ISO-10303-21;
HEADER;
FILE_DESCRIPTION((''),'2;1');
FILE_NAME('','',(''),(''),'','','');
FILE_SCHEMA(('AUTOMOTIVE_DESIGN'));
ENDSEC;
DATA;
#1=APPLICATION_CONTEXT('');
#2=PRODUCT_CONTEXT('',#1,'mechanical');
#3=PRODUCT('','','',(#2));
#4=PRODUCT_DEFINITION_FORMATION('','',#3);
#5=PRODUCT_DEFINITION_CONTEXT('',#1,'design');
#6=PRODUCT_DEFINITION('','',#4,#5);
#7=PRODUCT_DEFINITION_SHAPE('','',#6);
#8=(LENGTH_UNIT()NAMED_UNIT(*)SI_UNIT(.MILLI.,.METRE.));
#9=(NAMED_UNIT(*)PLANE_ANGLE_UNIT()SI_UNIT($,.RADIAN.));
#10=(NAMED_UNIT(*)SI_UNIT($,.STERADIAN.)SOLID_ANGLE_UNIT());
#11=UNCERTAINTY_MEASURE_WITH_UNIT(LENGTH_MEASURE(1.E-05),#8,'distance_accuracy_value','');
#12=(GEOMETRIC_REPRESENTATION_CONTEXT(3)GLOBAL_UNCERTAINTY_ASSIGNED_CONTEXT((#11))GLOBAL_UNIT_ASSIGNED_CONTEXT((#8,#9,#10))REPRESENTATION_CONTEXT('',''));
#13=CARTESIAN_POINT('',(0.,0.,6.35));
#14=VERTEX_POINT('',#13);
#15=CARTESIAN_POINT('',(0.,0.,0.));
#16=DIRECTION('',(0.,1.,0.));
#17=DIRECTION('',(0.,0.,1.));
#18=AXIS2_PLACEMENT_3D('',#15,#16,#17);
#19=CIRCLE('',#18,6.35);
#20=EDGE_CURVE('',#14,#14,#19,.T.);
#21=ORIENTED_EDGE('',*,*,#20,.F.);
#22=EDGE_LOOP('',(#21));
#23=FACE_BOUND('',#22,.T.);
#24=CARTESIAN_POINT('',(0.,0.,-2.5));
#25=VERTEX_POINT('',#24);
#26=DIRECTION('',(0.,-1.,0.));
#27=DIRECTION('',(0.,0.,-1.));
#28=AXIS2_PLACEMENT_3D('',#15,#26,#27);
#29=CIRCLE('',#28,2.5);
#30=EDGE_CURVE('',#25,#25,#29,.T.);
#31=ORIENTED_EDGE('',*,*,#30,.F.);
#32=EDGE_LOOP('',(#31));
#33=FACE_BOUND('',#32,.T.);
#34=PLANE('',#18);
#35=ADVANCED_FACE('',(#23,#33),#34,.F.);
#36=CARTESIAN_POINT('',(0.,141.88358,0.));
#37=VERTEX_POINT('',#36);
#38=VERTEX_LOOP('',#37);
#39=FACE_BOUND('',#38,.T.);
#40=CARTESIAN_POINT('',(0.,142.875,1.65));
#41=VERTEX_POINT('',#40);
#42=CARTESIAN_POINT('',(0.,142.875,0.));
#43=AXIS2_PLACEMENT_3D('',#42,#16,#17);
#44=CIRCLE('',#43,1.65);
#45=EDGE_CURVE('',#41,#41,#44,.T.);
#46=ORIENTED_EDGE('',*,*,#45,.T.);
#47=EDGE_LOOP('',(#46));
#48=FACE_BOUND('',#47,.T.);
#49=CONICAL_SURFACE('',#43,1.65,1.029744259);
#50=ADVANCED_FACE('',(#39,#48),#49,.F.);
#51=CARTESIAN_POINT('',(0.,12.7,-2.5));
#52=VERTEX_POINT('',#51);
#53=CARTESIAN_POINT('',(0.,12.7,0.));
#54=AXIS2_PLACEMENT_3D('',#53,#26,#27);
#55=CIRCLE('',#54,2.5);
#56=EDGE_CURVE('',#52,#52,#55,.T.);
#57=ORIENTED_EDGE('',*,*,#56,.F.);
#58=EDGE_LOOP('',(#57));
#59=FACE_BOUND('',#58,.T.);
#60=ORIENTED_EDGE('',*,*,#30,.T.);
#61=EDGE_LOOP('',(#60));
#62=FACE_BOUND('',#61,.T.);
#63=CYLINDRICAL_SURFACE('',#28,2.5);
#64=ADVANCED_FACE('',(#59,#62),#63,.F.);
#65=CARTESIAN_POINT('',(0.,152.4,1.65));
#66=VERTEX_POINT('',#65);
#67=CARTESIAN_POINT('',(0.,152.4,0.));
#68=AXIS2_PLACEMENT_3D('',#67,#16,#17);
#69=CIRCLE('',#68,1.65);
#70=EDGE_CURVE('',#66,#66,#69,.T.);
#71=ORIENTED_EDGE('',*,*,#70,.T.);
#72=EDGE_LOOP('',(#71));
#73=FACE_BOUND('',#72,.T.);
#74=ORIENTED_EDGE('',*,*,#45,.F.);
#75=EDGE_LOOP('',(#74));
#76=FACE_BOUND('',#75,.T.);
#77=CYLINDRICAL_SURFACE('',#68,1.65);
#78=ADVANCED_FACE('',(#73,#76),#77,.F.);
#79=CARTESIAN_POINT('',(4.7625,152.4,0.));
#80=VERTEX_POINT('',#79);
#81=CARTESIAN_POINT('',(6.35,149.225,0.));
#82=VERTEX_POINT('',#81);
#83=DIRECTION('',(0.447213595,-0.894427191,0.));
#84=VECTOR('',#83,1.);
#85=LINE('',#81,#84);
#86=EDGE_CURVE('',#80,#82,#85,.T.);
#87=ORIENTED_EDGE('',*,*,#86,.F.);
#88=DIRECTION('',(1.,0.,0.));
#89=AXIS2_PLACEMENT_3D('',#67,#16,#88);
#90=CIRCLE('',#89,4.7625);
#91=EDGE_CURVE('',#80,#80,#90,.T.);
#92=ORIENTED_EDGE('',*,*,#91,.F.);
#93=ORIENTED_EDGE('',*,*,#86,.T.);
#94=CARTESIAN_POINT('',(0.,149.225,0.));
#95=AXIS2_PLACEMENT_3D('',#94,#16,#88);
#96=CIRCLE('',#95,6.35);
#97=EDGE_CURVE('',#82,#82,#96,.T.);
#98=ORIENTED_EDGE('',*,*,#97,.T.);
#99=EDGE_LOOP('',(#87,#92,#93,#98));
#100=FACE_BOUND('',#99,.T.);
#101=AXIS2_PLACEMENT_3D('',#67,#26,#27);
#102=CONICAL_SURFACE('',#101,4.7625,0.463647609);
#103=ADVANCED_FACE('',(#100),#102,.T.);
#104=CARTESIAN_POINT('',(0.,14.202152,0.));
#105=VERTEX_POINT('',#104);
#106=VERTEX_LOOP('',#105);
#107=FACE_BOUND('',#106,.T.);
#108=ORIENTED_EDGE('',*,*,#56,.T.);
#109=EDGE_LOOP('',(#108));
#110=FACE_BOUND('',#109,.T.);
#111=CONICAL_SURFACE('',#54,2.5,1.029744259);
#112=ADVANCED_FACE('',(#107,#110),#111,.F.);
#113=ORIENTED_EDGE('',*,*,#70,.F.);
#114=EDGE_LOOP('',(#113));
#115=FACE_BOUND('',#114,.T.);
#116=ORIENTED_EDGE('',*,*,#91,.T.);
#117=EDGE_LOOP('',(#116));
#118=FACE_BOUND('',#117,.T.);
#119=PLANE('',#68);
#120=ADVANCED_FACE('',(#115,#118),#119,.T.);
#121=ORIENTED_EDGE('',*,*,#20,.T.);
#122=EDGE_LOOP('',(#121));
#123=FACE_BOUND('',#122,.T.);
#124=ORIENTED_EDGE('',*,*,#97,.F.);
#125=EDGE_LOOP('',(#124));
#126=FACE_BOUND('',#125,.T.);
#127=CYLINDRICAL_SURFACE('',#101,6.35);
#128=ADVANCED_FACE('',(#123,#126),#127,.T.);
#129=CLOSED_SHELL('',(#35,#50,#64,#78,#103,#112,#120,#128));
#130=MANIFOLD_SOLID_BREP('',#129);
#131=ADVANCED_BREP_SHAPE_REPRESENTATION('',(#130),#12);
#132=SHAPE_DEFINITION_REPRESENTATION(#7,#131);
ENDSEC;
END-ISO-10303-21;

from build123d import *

# Parameters (mm, degrees)
SKETCH1_R                 = 6.35
POSTBODY_DEPTH            = 152.4
M4X0_7_TAPPED_HOLE1_D     = 3.3
M4X0_7_TAPPED_HOLE1_DEPTH = 9.525
M4X0_7_TAPPED_HOLE1_TIP   = 0.991420021
M6X1_0_TAPPED_HOLE1_D     = 5
M6X1_0_TAPPED_HOLE1_DEPTH = 12.7
M6X1_0_TAPPED_HOLE1_TIP   = 1.502151548


with BuildPart() as part:
    # Sketch1 → PostBody (new body)
    with BuildSketch(Plane(origin=(0, 0, 0), x_dir=(1, 0, 0), z_dir=(0, 1, 0))):
        with Locations(Location((0, 0, 0), (0, 0, 90))):
            Circle(SKETCH1_R)
    extrude(amount=POSTBODY_DEPTH)

    # TopCut: sweep along a path in Sketch5
    with BuildLine(Plane(origin=(0, 152.4, 0), x_dir=(1, 0, 0), z_dir=(0, 1, 0))) as topcut_path:
        CenterArc((0, 0), 4.748740119, 0, 360)
    # Sketch4 → TopCut (sweep, cut)
    with BuildSketch(Plane.XY):
        Polygon((6.35, 152.4), (6.35, 149.225), (4.7625, 152.4), align=None)
    sweep(path=topcut_path.line, mode=Mode.SUBTRACT)

    # M4x0.7 Tapped Hole1
    with Locations(Plane(origin=(0, 152.4, 0), x_dir=(1, 0, 0), z_dir=(0, 1, 0))):
        with Locations((0, 0)):
            Hole(M4X0_7_TAPPED_HOLE1_D / 2, depth=M4X0_7_TAPPED_HOLE1_DEPTH)
            with Locations((0, 0, -(M4X0_7_TAPPED_HOLE1_DEPTH + M4X0_7_TAPPED_HOLE1_TIP / 2))):  # 118° drill point
                Cone(0, M4X0_7_TAPPED_HOLE1_D / 2, M4X0_7_TAPPED_HOLE1_TIP, mode=Mode.SUBTRACT)

    # M6x1.0 Tapped Hole1
    with Locations(Plane(origin=(0, 0, 0), x_dir=(-1, 0, 0), z_dir=(0, -1, 0))):
        with Locations((0, 0)):
            Hole(M6X1_0_TAPPED_HOLE1_D / 2, depth=M6X1_0_TAPPED_HOLE1_DEPTH)
            with Locations((0, 0, -(M6X1_0_TAPPED_HOLE1_DEPTH + M6X1_0_TAPPED_HOLE1_TIP / 2))):  # 118° drill point
                Cone(0, M6X1_0_TAPPED_HOLE1_D / 2, M6X1_0_TAPPED_HOLE1_TIP, mode=Mode.SUBTRACT)


solid = part.part
